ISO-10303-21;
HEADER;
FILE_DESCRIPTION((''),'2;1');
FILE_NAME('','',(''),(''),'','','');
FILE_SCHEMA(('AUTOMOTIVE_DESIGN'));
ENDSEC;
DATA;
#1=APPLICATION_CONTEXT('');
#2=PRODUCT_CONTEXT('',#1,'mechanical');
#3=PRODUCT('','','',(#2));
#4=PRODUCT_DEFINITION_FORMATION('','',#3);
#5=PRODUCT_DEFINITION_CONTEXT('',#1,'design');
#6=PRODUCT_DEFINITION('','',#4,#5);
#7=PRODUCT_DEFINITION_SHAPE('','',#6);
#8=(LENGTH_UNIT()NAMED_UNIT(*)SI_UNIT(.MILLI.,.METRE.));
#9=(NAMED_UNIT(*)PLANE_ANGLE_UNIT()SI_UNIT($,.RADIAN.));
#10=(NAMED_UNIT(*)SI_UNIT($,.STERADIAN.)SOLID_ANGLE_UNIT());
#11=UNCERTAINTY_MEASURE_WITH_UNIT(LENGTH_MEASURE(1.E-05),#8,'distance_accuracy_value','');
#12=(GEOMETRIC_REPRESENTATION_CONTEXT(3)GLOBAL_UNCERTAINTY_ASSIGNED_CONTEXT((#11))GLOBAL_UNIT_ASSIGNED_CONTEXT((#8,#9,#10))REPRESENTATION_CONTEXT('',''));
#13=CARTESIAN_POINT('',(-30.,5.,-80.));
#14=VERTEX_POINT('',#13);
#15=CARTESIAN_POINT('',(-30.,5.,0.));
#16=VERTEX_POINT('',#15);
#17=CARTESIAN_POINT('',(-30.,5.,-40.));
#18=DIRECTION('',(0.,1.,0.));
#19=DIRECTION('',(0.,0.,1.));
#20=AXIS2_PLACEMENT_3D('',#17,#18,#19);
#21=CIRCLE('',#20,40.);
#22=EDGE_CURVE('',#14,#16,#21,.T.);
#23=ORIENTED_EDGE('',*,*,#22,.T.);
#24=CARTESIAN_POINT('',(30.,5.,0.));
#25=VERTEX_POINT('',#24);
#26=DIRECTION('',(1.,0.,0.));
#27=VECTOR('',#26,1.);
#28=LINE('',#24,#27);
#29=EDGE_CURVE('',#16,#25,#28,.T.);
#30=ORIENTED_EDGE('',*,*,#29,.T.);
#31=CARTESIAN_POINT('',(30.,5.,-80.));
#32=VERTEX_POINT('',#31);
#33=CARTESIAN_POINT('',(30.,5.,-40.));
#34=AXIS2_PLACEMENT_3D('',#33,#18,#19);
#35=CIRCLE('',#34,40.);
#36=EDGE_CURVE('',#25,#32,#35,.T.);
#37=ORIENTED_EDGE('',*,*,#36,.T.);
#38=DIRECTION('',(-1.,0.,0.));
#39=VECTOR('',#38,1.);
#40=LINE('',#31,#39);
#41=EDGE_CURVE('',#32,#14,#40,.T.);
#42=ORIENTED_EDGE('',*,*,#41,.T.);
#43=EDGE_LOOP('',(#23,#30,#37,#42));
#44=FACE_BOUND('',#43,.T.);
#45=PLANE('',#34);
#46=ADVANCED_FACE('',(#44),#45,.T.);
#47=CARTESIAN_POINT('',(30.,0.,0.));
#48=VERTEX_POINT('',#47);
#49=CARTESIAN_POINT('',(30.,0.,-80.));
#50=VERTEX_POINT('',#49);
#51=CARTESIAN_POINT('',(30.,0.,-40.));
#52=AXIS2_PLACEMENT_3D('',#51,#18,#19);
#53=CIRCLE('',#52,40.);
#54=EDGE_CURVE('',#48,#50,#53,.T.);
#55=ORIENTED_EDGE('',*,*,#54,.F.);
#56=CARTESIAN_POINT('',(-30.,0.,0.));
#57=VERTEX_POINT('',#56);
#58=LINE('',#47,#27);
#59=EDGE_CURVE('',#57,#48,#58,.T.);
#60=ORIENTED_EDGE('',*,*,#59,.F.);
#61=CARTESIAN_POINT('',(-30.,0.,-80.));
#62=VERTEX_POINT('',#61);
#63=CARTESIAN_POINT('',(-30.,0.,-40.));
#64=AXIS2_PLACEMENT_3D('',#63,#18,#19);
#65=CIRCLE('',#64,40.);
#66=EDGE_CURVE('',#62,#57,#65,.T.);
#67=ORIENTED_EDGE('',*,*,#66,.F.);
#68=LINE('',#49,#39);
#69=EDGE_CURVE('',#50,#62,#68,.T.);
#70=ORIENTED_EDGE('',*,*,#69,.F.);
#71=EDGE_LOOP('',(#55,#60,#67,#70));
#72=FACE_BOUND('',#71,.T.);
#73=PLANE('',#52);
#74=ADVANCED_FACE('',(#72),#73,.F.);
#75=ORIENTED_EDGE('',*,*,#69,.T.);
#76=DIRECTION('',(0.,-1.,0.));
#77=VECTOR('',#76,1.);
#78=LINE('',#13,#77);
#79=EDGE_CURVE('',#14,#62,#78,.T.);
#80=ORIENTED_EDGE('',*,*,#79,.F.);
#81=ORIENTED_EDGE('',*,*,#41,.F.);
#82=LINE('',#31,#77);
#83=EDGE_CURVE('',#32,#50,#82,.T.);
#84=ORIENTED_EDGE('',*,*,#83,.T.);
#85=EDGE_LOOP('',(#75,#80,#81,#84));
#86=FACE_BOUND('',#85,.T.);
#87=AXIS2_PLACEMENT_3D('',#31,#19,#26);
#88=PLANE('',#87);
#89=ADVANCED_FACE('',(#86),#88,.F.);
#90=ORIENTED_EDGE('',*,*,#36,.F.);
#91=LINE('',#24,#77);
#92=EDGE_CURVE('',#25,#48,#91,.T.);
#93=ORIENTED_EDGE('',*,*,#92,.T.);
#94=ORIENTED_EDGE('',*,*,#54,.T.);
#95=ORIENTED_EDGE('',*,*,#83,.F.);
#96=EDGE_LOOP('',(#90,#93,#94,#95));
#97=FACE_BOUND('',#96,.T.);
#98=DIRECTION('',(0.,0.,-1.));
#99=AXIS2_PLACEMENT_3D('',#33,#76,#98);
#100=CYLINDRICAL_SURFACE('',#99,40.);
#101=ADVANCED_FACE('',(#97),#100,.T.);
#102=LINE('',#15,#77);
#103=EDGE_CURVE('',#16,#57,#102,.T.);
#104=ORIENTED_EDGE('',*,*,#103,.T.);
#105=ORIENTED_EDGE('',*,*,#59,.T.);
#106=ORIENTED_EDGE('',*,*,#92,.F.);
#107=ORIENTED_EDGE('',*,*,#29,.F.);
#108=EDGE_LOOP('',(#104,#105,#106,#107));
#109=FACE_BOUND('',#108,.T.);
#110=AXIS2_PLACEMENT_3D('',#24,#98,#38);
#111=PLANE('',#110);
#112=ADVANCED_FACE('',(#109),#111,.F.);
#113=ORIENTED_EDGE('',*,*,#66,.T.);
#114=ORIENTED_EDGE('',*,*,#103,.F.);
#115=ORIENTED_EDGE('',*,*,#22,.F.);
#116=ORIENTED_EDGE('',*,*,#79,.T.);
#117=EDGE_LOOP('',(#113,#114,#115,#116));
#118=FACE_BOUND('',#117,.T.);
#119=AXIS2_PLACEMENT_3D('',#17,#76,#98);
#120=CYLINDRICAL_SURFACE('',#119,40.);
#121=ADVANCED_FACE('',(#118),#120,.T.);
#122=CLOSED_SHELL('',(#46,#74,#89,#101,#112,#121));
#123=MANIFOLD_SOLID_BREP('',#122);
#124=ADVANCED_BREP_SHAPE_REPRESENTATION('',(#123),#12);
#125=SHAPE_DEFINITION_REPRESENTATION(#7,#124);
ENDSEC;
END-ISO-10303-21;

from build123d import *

# Parameters (mm, degrees)
BOSS_EXTRUDE1_DEPTH = 5


with BuildPart() as part:
    # Sketch1 → Boss-Extrude1 (new body)
    with BuildSketch(Plane(origin=(0, 0, 0), x_dir=(1, 0, 0), z_dir=(0, 1, 0))):
        with BuildLine():
            Line((30, 0), (-30, 0))
            ThreePointArc((-30, 0), (-70, 40), (-30, 80))
            Line((-30, 80), (30, 80))
            ThreePointArc((30, 80), (70, 40), (30, 0))
        make_face()
    extrude(amount=BOSS_EXTRUDE1_DEPTH)


solid = part.part
